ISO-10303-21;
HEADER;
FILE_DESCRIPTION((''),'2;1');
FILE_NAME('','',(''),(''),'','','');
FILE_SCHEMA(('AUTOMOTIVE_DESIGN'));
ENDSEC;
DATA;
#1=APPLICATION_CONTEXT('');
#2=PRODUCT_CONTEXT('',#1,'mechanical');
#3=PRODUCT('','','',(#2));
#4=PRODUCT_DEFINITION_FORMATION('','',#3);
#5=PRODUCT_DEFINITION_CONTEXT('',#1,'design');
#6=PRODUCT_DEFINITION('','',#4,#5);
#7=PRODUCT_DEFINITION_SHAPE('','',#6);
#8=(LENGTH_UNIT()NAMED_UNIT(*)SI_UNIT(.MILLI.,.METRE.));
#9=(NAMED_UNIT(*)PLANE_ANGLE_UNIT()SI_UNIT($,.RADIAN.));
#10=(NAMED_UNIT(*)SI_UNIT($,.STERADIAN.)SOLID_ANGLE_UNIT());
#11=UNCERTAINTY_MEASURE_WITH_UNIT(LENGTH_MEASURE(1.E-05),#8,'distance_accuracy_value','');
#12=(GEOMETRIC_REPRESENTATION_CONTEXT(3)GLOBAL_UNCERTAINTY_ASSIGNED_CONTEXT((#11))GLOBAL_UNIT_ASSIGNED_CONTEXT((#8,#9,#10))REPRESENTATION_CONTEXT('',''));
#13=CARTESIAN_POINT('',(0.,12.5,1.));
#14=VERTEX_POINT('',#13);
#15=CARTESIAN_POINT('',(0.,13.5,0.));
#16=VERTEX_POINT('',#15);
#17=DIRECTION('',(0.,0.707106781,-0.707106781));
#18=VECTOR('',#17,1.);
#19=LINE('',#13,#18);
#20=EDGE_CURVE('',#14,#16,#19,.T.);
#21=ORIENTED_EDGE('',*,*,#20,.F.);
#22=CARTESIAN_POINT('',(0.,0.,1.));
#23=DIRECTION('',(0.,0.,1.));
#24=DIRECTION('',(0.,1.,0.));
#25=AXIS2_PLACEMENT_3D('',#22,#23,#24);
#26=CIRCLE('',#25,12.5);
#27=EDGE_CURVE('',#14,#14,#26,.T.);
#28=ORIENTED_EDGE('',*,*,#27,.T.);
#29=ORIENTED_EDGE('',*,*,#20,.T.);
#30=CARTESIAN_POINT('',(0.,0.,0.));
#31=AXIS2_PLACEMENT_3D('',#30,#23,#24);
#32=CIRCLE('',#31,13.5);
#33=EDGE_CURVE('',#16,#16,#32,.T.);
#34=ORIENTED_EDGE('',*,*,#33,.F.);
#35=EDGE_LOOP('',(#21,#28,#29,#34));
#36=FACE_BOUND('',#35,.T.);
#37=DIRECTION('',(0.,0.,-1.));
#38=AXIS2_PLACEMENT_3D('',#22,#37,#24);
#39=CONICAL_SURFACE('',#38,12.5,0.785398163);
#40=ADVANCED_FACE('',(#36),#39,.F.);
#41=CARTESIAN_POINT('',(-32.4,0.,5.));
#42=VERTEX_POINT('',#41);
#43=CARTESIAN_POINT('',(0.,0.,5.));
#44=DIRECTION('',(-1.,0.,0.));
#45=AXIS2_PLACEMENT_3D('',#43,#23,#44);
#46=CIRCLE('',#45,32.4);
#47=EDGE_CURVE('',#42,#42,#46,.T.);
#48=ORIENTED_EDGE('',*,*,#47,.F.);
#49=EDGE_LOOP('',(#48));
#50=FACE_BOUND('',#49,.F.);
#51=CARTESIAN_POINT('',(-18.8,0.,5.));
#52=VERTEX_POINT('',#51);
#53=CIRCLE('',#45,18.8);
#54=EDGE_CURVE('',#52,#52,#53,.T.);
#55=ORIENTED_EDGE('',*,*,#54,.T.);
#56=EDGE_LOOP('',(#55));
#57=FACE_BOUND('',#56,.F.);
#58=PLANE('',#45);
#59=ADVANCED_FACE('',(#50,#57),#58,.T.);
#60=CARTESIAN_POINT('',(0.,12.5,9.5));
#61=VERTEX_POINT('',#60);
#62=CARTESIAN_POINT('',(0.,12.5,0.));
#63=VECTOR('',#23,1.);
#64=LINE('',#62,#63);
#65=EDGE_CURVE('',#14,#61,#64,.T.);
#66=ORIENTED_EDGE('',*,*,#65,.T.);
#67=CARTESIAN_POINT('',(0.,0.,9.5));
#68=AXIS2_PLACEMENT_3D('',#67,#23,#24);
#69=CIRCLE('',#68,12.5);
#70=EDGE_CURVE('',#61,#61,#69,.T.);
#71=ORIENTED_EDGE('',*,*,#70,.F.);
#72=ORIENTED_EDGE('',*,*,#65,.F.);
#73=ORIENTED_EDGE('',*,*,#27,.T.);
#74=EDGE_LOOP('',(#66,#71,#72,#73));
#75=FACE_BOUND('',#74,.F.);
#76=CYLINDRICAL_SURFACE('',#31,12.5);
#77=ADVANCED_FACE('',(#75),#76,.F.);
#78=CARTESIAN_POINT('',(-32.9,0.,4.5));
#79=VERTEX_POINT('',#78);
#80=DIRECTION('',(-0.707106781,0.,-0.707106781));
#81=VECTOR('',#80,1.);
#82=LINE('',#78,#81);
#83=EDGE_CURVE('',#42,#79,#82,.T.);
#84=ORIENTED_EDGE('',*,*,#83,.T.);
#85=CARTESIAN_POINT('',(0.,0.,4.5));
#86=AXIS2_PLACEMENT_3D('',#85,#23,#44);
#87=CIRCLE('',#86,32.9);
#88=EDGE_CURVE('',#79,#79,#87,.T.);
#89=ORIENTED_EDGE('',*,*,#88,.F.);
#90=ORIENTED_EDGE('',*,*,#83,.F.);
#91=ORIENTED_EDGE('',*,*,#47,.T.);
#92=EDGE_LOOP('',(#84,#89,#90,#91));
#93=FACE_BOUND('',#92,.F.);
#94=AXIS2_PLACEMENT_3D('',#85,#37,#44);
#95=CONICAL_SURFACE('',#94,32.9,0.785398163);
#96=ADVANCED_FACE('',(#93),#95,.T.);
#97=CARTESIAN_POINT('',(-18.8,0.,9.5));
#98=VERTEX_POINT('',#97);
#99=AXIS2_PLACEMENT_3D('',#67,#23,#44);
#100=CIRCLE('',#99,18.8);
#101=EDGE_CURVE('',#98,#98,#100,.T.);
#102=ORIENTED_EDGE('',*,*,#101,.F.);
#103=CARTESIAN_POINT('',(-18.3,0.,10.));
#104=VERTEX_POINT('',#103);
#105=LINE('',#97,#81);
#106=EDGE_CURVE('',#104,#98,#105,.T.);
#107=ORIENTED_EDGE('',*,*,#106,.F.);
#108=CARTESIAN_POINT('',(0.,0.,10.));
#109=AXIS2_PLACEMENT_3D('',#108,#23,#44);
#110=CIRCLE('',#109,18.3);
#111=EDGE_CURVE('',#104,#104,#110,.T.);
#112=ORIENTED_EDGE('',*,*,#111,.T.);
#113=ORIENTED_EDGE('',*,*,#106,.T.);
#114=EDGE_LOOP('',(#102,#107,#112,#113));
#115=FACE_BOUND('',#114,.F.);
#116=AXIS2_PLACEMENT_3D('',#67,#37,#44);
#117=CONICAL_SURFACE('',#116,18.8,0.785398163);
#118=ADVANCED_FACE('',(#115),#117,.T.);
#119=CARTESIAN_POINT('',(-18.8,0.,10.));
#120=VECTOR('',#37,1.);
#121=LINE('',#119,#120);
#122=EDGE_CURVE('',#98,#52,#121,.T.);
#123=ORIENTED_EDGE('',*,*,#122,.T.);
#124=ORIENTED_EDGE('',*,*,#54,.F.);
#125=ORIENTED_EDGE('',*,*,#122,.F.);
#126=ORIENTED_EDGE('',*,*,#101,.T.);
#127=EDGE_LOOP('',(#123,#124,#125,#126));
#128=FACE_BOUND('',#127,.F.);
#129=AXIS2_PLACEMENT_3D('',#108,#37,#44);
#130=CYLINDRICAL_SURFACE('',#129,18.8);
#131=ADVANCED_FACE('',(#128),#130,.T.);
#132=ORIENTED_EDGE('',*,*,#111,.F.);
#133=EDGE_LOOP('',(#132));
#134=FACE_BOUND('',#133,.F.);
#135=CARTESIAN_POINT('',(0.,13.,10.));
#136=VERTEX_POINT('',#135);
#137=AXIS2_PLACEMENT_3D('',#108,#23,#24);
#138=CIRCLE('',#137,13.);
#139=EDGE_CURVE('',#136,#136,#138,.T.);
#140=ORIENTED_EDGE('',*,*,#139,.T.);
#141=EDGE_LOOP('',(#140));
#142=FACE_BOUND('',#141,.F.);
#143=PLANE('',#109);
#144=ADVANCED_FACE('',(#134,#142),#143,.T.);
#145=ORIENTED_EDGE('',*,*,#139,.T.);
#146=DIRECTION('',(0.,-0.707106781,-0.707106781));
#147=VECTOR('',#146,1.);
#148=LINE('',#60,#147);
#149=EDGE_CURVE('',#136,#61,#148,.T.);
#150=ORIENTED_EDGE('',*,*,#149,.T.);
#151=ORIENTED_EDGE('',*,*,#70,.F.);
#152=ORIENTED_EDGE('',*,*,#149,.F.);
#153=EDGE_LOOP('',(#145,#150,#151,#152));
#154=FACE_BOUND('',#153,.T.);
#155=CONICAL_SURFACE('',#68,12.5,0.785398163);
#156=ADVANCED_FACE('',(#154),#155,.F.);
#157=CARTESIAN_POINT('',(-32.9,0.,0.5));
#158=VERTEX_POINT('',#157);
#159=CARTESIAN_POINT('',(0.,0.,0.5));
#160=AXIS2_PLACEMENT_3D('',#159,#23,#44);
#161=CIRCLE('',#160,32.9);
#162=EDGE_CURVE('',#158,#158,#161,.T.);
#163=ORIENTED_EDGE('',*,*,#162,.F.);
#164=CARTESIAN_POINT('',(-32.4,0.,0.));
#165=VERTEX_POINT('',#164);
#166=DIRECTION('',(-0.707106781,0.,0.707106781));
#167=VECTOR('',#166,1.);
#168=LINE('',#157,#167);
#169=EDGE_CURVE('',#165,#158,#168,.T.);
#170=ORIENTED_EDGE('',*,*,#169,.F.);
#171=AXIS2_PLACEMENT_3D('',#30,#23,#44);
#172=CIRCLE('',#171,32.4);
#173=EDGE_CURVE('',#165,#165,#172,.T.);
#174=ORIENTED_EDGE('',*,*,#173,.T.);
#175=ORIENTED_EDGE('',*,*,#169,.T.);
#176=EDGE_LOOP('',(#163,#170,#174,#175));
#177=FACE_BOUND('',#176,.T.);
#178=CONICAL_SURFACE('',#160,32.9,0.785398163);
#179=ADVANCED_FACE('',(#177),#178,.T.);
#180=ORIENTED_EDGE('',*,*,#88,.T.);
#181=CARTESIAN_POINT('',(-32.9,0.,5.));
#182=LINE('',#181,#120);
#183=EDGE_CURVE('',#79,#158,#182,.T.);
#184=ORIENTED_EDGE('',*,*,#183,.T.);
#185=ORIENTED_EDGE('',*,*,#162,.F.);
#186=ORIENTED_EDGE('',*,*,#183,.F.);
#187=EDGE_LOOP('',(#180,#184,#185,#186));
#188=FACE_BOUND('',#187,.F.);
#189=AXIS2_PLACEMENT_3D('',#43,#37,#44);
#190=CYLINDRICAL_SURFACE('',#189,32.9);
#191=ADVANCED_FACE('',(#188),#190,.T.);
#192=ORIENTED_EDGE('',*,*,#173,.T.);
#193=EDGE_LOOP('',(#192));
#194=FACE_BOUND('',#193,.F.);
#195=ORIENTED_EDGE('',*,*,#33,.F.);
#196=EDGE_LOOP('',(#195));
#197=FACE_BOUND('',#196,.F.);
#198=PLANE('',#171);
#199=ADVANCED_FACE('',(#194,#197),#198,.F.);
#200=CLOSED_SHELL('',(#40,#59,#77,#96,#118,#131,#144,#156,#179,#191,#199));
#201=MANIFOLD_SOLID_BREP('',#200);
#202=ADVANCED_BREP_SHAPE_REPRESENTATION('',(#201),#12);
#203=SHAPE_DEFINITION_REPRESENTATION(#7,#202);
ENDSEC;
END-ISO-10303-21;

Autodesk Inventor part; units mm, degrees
ref_plane "YZ Plane" through (0, 0, 0) normal (1, 0, 0) x (0, 1, 0)
ref_plane "XZ Plane" through (0, 0, 0) normal (0, 1, 0) x (-1, 0, 0)
ref_plane "XY Plane" through (0, 0, 0) normal (0, 0, 1) x (1, 0, 0)
sketch "Sketch1" plane through (0, 0, 0) normal (0, 1, 0) x (-1, 0, 0)
  line L0 (0, 0) -> (0, 10)
  line L1 (0, 10) -> (18.8, 10)
  line L2 (18.8, 10) -> (18.8, 5)
  line L3 (18.8, 5) -> (32.9, 5)
  line L4 (32.9, 5) -> (32.9, 0)
  line L5 (32.9, 0) -> (0, 0)
  dimension "d0" = 65.8
  dimension "d1" = 37.6
  dimension "d2" = 5
  dimension "d3" = 5
revolve "Revolution1" add sketch "Sketch1" angle 360 about axis through (0, 0, 0) along (0, 0, 1)
hole "Hole1" at (0, 0, 0) direction (0, 0, 1) diameter 25 end through all
chamfer "Chamfer1" distance 0.5 angle 45 4 edges at (32.9, 0, 0) (18.8, 0, 10) (32.9, 0, 5) (0, -12.5, 10)
chamfer "Chamfer2" distance 1 angle 45 1 edges at (0, -12.5, 0)
properties part number "Mesh-mounting-help" material "Nylon 6/6"
